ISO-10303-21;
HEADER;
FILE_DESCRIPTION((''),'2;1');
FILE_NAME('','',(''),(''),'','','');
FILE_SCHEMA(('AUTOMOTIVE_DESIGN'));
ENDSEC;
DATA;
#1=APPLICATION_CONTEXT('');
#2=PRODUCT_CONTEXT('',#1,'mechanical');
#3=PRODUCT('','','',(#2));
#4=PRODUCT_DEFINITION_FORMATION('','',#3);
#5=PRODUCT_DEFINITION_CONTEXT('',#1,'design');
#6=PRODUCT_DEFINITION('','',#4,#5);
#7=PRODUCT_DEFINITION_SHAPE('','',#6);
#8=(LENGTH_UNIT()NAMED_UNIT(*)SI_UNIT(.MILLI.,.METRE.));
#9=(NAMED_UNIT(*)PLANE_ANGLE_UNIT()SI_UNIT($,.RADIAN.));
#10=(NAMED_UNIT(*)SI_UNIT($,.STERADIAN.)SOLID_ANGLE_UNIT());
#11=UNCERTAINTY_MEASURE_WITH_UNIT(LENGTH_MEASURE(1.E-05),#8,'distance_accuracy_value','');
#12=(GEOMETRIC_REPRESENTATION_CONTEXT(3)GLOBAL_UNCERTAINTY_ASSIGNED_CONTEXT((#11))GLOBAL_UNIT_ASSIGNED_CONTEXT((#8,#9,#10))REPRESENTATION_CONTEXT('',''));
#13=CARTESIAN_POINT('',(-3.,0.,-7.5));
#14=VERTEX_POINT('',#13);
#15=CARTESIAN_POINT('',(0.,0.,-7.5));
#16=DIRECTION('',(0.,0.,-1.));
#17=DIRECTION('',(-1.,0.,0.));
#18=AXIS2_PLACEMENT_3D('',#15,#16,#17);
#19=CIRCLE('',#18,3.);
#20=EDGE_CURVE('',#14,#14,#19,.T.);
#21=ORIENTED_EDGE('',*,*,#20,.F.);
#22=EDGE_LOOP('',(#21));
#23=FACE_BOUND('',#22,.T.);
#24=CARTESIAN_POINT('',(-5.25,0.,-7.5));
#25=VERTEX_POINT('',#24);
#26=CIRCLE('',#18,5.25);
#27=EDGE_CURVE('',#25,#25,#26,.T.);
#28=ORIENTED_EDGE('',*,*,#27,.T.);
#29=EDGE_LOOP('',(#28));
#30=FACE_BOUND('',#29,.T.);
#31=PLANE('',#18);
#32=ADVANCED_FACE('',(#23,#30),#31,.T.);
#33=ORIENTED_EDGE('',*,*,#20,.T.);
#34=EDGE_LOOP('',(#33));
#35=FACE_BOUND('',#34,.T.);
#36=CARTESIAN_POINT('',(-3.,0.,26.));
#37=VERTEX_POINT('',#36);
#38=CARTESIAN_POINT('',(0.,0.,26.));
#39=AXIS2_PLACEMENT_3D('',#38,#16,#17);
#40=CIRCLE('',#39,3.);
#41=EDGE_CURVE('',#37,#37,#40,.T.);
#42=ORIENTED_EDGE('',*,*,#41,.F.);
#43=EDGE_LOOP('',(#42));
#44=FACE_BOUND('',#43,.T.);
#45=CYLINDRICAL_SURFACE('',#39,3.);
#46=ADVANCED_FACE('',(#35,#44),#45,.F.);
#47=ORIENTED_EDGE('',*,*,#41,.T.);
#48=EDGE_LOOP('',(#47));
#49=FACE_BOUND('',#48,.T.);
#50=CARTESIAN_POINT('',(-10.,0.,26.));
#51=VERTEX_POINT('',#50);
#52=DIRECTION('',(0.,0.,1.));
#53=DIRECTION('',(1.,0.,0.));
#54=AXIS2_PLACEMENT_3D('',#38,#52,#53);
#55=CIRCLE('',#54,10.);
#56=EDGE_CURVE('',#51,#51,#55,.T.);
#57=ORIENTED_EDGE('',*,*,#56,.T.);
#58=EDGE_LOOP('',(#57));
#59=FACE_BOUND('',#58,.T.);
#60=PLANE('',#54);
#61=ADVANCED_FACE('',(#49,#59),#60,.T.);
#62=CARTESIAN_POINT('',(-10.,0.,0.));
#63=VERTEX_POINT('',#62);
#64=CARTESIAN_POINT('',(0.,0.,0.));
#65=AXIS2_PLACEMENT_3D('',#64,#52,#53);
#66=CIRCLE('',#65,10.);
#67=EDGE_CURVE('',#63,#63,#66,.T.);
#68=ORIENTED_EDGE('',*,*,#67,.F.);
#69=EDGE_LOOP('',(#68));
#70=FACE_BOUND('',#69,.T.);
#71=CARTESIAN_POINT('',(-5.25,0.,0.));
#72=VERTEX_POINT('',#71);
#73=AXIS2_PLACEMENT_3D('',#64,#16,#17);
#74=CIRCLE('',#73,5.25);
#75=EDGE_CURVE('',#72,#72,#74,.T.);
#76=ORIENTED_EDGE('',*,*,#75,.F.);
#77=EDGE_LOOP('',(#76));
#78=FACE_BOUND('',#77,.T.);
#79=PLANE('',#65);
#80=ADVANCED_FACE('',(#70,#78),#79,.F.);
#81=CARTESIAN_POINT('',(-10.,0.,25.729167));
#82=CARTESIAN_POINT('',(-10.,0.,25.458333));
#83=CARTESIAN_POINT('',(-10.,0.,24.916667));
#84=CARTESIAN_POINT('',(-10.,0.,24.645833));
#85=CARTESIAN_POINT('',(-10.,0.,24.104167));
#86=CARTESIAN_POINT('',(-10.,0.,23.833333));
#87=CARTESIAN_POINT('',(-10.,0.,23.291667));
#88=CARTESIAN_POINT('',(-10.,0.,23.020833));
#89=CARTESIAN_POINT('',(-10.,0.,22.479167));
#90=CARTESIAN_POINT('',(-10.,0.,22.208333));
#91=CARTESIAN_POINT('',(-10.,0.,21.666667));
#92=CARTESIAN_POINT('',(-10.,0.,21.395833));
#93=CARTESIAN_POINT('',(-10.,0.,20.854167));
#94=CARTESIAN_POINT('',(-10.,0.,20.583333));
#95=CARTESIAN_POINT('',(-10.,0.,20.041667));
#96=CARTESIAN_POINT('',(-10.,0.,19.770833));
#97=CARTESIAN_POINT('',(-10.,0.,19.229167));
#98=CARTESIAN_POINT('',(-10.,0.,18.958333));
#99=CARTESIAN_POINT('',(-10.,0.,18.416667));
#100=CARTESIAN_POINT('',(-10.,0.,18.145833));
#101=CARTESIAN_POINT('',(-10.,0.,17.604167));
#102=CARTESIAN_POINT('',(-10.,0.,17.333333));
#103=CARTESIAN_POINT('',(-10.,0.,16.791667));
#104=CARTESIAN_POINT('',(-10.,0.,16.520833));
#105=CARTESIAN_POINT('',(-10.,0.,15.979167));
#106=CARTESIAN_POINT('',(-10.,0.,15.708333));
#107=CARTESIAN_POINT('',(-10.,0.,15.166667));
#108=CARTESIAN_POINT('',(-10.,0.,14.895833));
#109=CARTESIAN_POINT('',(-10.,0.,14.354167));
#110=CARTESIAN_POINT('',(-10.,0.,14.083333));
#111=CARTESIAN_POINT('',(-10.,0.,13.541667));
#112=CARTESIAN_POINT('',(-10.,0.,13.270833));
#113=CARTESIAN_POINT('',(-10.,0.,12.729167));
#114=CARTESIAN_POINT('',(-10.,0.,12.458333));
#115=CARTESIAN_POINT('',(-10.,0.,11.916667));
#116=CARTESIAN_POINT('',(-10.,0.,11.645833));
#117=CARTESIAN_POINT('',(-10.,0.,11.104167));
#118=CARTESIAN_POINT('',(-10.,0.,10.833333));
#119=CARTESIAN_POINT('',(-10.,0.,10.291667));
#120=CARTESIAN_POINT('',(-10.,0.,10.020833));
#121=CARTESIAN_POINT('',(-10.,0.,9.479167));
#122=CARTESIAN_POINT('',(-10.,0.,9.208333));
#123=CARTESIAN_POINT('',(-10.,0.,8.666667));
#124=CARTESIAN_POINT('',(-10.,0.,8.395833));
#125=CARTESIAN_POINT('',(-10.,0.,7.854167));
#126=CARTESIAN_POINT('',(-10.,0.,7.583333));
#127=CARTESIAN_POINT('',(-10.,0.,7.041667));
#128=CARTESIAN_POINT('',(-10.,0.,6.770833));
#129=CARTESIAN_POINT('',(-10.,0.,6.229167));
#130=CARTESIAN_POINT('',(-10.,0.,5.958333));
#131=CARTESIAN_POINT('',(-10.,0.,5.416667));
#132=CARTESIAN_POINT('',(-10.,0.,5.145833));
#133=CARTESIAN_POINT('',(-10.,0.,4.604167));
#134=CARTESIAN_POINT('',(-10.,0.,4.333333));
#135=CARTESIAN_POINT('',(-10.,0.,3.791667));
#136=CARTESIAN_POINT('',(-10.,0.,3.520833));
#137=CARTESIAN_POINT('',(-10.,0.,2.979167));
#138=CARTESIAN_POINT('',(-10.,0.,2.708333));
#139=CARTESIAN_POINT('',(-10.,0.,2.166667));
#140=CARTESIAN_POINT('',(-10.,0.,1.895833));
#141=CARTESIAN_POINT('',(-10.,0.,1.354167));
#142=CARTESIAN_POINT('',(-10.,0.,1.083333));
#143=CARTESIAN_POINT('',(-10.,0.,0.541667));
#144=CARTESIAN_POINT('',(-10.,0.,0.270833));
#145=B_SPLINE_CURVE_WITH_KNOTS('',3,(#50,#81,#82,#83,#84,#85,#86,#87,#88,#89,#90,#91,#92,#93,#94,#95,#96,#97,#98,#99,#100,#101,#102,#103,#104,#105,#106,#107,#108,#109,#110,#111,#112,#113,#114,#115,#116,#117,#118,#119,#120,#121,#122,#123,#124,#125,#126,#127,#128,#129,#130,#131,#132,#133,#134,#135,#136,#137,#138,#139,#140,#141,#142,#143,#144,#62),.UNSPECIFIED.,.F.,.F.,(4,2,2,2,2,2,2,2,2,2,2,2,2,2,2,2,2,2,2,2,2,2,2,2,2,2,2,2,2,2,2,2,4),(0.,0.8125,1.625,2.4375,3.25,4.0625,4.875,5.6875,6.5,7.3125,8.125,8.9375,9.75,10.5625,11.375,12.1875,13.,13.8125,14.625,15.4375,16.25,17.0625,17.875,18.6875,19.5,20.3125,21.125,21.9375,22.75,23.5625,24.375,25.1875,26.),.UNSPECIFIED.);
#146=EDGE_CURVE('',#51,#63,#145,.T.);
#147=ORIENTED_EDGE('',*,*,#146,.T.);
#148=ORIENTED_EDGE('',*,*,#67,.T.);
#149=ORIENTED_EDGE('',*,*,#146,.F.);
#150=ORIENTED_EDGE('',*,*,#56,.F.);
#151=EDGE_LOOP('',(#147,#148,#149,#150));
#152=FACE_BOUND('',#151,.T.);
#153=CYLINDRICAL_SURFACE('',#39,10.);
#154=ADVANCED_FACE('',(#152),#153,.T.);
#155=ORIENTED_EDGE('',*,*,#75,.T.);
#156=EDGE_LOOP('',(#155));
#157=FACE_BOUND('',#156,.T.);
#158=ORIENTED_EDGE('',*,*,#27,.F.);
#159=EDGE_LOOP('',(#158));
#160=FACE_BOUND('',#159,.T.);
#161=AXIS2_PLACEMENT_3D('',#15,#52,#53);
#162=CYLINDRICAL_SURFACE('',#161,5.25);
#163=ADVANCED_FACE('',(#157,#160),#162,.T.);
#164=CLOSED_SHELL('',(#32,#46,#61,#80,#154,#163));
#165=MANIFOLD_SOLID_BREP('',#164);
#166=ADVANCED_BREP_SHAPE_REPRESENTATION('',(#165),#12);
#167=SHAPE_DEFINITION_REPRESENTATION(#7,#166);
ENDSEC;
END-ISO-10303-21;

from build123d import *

# Parameters (mm, degrees)
SKETCH_1_R          = 10
EXTRUDE_1_DEPTH     = 26
SKETCH_2_R          = 5.25
EXTRUDE_2_DEPTH     = 7.5
SKETCH_3_R          = 3
CUT_EXTRUDE_1_DEPTH = 37.362755671


with BuildPart() as part:
    # 草图1 → 凸台-拉伸1 (new body)
    with BuildSketch(Plane.XY):
        with Locations(Location((0, 0, 0), (0, 0, 180))):
            Circle(SKETCH_1_R)
    extrude(amount=EXTRUDE_1_DEPTH)

    # 草图2 → 凸台-拉伸2 (add)
    with BuildSketch(Plane(origin=(0, 0, 0), x_dir=(-1, 0, 0), z_dir=(0, 0, -1))):
        Circle(SKETCH_2_R)
    extrude(amount=EXTRUDE_2_DEPTH)

    # 草图3 → 切除-拉伸1 (cut, through all)
    with BuildSketch(Plane(origin=(0, 0, -7.5), x_dir=(-1, 0, 0), z_dir=(0, 0, -1))):
        Circle(SKETCH_3_R)
    extrude(amount=-CUT_EXTRUDE_1_DEPTH, mode=Mode.SUBTRACT)


solid = part.part
